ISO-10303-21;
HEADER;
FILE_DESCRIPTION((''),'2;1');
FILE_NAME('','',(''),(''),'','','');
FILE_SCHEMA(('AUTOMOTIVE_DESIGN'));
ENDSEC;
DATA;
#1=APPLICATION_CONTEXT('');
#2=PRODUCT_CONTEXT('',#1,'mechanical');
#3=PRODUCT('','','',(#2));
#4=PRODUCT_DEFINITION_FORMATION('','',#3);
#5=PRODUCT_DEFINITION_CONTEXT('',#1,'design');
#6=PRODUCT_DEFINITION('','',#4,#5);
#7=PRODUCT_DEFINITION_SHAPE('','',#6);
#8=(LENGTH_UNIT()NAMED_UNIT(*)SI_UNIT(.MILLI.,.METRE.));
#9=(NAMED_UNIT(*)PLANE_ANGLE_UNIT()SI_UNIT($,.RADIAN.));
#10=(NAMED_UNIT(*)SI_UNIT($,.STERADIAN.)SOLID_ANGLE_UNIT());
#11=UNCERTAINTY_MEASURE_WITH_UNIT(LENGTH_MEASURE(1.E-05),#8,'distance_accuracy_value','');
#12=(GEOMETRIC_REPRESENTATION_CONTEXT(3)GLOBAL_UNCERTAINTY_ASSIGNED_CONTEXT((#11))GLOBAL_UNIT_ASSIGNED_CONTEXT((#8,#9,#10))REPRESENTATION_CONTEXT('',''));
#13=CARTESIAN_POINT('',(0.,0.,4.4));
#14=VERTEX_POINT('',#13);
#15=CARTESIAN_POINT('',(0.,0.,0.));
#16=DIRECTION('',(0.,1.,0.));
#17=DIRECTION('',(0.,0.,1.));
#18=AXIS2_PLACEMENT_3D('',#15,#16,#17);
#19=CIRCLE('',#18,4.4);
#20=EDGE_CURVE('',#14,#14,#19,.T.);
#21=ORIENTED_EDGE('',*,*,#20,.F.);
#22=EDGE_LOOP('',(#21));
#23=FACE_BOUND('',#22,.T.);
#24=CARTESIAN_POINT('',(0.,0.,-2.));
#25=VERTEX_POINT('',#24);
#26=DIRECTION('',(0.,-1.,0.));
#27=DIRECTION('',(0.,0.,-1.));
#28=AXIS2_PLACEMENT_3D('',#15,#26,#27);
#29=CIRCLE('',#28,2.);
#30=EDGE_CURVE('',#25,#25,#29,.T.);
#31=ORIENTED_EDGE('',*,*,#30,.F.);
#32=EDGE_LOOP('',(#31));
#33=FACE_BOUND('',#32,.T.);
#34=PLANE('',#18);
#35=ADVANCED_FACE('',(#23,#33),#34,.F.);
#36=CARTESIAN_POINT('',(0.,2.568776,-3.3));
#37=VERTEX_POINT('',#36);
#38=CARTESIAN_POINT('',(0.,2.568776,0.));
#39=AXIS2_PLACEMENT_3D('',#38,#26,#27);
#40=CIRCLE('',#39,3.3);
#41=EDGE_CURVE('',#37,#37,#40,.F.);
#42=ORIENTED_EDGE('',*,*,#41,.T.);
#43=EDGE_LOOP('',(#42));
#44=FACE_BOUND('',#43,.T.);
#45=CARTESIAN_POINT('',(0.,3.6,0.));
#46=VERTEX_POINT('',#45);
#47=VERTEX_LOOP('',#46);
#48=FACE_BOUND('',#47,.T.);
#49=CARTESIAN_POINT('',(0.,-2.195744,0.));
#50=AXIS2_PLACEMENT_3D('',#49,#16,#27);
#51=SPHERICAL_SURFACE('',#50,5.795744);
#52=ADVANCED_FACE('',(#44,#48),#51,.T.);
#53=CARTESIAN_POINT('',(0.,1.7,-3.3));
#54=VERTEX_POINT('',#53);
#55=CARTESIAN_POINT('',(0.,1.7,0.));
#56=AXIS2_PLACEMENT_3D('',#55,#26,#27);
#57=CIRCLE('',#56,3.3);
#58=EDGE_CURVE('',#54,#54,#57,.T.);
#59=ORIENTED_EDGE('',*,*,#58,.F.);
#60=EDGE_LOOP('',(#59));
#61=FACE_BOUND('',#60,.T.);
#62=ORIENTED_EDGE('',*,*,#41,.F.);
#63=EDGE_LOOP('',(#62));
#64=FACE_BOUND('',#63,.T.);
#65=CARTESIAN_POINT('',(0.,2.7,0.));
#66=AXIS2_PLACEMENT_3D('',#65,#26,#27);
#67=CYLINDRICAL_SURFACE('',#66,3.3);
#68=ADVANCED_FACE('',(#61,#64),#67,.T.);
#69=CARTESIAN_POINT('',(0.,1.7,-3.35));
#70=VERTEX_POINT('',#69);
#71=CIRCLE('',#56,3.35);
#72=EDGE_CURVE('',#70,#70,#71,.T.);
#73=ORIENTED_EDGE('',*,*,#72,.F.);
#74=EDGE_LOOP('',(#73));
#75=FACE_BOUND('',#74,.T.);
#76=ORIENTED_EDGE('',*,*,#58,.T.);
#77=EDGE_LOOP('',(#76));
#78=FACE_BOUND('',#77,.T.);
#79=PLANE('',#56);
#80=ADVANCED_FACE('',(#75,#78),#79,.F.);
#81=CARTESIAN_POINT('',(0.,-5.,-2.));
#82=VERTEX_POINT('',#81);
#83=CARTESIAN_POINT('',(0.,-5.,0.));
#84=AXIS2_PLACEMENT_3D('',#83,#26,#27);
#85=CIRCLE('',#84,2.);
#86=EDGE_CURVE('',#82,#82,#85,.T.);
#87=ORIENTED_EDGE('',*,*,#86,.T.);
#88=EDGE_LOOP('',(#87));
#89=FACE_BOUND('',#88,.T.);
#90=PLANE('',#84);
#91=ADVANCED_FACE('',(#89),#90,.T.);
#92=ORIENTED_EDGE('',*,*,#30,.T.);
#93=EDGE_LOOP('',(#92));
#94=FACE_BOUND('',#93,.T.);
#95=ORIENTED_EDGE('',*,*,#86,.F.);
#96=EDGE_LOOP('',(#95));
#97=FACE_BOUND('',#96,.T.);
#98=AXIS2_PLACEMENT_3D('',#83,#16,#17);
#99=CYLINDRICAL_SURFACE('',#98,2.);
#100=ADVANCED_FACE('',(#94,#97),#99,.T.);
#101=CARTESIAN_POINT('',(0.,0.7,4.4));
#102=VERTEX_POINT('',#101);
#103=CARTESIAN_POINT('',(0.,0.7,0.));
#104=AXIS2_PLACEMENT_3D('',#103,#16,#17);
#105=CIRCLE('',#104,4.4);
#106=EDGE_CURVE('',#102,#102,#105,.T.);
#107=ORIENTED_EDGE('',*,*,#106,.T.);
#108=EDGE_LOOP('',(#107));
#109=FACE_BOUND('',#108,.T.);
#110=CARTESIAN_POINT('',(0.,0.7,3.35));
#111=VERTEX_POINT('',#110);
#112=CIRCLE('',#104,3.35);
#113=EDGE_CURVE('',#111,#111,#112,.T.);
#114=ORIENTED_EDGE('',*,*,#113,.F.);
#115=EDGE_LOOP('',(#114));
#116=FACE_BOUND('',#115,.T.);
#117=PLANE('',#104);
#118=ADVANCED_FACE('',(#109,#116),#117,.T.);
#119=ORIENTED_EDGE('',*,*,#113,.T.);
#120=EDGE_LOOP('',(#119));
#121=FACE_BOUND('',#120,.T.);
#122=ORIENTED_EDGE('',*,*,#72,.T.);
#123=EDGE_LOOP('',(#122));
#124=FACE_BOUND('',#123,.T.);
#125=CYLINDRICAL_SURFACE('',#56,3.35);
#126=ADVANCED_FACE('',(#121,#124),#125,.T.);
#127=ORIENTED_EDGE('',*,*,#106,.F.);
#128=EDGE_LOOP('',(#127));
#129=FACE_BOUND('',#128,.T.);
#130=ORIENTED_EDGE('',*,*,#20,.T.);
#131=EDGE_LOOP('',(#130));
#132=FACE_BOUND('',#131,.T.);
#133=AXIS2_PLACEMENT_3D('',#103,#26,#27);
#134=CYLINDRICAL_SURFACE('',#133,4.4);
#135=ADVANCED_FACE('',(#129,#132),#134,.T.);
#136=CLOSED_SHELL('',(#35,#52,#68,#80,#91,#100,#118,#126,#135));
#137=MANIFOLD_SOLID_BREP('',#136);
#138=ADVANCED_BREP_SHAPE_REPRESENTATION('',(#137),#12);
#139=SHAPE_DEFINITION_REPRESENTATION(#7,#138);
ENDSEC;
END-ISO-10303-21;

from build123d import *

# Parameters (mm, degrees)
SKETCH_1_R          = 4.4
EXTRUDE_1_DEPTH     = 0.7
SKETCH_2_R          = 3.35
EXTRUDE_2_DEPTH     = 1
SKETCH_3_R          = 3.4
EXTRUDE_3_DEPTH     = 1.9
SKETCH_4_R          = 10.526345736
SKETCH_4_R_2        = 3.3
CUT_EXTRUDE_1_DEPTH = 1
SKETCH_6_R          = 2
EXTRUDE_4_DEPTH     = 5


with BuildPart() as part:
    # 草图1 → 凸台-拉伸1 (new body)
    with BuildSketch(Plane(origin=(0, 0, 0), x_dir=(1, 0, 0), z_dir=(0, 1, 0))):
        Circle(SKETCH_1_R)
    extrude(amount=EXTRUDE_1_DEPTH)

    # 草图2 → 凸台-拉伸2 (add)
    with BuildSketch(Plane(origin=(0, 0.7, 0), x_dir=(1, 0, 0), z_dir=(0, 1, 0))):
        Circle(SKETCH_2_R)
    extrude(amount=EXTRUDE_2_DEPTH)

    # 草图3 → 凸台-拉伸3 (add)
    with BuildSketch(Plane(origin=(0, 1.7, 0), x_dir=(1, 0, 0), z_dir=(0, 1, 0))):
        Circle(SKETCH_3_R)
    extrude(amount=EXTRUDE_3_DEPTH)

    # 草图4 → 切除-拉伸1 (cut)
    with BuildSketch(Plane.XZ.offset(-1.7)):
        Circle(SKETCH_4_R)
        Circle(SKETCH_4_R_2, mode=Mode.SUBTRACT)
    extrude(amount=-CUT_EXTRUDE_1_DEPTH, mode=Mode.SUBTRACT)

    # 草图6 → 凸台-拉伸4 (add)
    with BuildSketch(Plane.XZ):
        Circle(SKETCH_6_R)
    extrude(amount=EXTRUDE_4_DEPTH)

    # 草图8 → 切除-旋转3 (revolve, cut)
    with BuildSketch(Plane(origin=(0, 0, 0), x_dir=(0, 0, -1), z_dir=(1, 0, 0))):
        with BuildLine():
            Line((0, 4.687391613), (0, 3.6))
            ThreePointArc((0, 3.6), (3.540607137, 2.39280141), (5.606264331, -0.72589827))
            Line((5.606264331, -0.72589827), (5.606264331, 4.687391613))
            Line((5.606264331, 4.687391613), (0, 4.687391613))
        make_face()
    revolve(axis=Axis((0, 3.6, 0), (0, -1, 0)), mode=Mode.SUBTRACT)


solid = part.part
